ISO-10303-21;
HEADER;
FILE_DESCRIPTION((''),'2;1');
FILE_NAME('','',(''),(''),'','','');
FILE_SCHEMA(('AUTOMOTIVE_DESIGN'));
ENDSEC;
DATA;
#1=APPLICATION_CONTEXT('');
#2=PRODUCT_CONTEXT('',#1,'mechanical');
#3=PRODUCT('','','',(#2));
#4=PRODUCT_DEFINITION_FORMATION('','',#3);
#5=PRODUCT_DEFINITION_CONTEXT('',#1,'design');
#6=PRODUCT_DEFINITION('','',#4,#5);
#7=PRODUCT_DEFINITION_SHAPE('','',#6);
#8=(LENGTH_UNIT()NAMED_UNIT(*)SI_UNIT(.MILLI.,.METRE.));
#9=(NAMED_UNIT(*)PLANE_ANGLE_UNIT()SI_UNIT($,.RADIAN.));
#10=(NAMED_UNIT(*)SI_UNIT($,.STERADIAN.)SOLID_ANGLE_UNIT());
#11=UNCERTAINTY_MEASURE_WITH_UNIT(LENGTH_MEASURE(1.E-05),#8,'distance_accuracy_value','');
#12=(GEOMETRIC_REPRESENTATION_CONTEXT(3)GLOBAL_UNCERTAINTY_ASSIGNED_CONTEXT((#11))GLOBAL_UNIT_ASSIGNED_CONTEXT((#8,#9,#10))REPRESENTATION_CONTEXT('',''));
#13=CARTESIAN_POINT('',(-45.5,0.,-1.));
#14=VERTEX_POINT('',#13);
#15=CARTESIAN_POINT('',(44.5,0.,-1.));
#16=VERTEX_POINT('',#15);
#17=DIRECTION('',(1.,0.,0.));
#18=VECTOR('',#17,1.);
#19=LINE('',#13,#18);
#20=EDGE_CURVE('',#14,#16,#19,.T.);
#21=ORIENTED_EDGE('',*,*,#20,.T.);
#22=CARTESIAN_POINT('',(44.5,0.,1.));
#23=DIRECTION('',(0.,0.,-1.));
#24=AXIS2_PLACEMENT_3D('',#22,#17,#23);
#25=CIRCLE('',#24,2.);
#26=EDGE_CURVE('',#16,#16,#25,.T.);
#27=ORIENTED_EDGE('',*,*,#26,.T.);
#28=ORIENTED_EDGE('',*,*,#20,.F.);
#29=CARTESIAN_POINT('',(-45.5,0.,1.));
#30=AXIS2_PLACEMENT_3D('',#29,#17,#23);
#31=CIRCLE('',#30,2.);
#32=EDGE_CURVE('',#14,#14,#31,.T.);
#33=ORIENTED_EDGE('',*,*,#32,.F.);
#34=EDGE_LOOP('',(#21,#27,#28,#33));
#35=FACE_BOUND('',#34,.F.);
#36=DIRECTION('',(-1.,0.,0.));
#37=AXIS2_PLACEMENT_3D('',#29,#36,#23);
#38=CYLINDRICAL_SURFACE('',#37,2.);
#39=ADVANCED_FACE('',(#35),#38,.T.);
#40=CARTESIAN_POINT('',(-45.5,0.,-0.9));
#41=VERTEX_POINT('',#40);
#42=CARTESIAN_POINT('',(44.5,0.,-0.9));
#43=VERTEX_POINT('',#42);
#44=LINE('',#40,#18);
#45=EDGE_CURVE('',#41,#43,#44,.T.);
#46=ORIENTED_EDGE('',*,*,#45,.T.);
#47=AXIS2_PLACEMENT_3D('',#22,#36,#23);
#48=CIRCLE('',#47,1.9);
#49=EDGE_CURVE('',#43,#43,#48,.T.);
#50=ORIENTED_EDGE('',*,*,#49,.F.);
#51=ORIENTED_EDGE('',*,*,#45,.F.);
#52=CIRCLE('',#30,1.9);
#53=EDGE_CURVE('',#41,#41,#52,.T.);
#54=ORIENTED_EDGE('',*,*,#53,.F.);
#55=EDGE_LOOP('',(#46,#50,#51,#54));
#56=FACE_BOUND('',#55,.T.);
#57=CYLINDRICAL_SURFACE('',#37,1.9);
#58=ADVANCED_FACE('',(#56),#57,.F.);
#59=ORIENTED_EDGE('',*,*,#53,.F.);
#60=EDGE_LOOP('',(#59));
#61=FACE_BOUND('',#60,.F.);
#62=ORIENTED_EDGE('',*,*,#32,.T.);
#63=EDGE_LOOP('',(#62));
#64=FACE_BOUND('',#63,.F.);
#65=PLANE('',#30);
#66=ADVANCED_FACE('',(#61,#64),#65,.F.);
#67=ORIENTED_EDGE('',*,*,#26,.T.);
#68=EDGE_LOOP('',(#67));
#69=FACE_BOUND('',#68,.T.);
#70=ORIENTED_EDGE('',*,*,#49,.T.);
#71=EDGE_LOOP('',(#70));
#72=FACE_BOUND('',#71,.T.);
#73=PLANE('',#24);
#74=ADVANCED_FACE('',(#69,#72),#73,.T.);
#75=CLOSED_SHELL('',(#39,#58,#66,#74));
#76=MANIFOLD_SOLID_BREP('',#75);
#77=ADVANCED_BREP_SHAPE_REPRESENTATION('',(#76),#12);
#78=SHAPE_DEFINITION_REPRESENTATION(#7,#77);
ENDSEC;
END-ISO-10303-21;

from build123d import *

# Parameters (mm, degrees)
CYLINDER146_R     = 1.9
CYLINDER146_DEPTH = 100
CYLINDER145_R     = 2
CYLINDER145_DEPTH = 90


with BuildPart() as cylinder003:
    # Cylinder146 → Cylinder146 (new body)
    with BuildSketch(Plane(origin=(-2.5, 0, 1), x_dir=(0, 0, -1), z_dir=(1, 0, 0))):
        Circle(CYLINDER146_R)
    extrude(amount=CYLINDER146_DEPTH)


with BuildPart() as cut003:
    # Cylinder145 → Cylinder145 (new body)
    with BuildSketch(Plane(origin=(-2.5, 0, 1), x_dir=(0, 0, -1), z_dir=(1, 0, 0))):
        Circle(CYLINDER145_R)
    extrude(amount=CYLINDER145_DEPTH)

    # Cut003: cut Cylinder003
    add(cylinder003.part, mode=Mode.SUBTRACT)


with BuildPart() as cut003_1:
    # Cut003 placement: moved
    add(cut003.part.moved(Location((-43, 0, 0))))


solid = cut003_1.part
